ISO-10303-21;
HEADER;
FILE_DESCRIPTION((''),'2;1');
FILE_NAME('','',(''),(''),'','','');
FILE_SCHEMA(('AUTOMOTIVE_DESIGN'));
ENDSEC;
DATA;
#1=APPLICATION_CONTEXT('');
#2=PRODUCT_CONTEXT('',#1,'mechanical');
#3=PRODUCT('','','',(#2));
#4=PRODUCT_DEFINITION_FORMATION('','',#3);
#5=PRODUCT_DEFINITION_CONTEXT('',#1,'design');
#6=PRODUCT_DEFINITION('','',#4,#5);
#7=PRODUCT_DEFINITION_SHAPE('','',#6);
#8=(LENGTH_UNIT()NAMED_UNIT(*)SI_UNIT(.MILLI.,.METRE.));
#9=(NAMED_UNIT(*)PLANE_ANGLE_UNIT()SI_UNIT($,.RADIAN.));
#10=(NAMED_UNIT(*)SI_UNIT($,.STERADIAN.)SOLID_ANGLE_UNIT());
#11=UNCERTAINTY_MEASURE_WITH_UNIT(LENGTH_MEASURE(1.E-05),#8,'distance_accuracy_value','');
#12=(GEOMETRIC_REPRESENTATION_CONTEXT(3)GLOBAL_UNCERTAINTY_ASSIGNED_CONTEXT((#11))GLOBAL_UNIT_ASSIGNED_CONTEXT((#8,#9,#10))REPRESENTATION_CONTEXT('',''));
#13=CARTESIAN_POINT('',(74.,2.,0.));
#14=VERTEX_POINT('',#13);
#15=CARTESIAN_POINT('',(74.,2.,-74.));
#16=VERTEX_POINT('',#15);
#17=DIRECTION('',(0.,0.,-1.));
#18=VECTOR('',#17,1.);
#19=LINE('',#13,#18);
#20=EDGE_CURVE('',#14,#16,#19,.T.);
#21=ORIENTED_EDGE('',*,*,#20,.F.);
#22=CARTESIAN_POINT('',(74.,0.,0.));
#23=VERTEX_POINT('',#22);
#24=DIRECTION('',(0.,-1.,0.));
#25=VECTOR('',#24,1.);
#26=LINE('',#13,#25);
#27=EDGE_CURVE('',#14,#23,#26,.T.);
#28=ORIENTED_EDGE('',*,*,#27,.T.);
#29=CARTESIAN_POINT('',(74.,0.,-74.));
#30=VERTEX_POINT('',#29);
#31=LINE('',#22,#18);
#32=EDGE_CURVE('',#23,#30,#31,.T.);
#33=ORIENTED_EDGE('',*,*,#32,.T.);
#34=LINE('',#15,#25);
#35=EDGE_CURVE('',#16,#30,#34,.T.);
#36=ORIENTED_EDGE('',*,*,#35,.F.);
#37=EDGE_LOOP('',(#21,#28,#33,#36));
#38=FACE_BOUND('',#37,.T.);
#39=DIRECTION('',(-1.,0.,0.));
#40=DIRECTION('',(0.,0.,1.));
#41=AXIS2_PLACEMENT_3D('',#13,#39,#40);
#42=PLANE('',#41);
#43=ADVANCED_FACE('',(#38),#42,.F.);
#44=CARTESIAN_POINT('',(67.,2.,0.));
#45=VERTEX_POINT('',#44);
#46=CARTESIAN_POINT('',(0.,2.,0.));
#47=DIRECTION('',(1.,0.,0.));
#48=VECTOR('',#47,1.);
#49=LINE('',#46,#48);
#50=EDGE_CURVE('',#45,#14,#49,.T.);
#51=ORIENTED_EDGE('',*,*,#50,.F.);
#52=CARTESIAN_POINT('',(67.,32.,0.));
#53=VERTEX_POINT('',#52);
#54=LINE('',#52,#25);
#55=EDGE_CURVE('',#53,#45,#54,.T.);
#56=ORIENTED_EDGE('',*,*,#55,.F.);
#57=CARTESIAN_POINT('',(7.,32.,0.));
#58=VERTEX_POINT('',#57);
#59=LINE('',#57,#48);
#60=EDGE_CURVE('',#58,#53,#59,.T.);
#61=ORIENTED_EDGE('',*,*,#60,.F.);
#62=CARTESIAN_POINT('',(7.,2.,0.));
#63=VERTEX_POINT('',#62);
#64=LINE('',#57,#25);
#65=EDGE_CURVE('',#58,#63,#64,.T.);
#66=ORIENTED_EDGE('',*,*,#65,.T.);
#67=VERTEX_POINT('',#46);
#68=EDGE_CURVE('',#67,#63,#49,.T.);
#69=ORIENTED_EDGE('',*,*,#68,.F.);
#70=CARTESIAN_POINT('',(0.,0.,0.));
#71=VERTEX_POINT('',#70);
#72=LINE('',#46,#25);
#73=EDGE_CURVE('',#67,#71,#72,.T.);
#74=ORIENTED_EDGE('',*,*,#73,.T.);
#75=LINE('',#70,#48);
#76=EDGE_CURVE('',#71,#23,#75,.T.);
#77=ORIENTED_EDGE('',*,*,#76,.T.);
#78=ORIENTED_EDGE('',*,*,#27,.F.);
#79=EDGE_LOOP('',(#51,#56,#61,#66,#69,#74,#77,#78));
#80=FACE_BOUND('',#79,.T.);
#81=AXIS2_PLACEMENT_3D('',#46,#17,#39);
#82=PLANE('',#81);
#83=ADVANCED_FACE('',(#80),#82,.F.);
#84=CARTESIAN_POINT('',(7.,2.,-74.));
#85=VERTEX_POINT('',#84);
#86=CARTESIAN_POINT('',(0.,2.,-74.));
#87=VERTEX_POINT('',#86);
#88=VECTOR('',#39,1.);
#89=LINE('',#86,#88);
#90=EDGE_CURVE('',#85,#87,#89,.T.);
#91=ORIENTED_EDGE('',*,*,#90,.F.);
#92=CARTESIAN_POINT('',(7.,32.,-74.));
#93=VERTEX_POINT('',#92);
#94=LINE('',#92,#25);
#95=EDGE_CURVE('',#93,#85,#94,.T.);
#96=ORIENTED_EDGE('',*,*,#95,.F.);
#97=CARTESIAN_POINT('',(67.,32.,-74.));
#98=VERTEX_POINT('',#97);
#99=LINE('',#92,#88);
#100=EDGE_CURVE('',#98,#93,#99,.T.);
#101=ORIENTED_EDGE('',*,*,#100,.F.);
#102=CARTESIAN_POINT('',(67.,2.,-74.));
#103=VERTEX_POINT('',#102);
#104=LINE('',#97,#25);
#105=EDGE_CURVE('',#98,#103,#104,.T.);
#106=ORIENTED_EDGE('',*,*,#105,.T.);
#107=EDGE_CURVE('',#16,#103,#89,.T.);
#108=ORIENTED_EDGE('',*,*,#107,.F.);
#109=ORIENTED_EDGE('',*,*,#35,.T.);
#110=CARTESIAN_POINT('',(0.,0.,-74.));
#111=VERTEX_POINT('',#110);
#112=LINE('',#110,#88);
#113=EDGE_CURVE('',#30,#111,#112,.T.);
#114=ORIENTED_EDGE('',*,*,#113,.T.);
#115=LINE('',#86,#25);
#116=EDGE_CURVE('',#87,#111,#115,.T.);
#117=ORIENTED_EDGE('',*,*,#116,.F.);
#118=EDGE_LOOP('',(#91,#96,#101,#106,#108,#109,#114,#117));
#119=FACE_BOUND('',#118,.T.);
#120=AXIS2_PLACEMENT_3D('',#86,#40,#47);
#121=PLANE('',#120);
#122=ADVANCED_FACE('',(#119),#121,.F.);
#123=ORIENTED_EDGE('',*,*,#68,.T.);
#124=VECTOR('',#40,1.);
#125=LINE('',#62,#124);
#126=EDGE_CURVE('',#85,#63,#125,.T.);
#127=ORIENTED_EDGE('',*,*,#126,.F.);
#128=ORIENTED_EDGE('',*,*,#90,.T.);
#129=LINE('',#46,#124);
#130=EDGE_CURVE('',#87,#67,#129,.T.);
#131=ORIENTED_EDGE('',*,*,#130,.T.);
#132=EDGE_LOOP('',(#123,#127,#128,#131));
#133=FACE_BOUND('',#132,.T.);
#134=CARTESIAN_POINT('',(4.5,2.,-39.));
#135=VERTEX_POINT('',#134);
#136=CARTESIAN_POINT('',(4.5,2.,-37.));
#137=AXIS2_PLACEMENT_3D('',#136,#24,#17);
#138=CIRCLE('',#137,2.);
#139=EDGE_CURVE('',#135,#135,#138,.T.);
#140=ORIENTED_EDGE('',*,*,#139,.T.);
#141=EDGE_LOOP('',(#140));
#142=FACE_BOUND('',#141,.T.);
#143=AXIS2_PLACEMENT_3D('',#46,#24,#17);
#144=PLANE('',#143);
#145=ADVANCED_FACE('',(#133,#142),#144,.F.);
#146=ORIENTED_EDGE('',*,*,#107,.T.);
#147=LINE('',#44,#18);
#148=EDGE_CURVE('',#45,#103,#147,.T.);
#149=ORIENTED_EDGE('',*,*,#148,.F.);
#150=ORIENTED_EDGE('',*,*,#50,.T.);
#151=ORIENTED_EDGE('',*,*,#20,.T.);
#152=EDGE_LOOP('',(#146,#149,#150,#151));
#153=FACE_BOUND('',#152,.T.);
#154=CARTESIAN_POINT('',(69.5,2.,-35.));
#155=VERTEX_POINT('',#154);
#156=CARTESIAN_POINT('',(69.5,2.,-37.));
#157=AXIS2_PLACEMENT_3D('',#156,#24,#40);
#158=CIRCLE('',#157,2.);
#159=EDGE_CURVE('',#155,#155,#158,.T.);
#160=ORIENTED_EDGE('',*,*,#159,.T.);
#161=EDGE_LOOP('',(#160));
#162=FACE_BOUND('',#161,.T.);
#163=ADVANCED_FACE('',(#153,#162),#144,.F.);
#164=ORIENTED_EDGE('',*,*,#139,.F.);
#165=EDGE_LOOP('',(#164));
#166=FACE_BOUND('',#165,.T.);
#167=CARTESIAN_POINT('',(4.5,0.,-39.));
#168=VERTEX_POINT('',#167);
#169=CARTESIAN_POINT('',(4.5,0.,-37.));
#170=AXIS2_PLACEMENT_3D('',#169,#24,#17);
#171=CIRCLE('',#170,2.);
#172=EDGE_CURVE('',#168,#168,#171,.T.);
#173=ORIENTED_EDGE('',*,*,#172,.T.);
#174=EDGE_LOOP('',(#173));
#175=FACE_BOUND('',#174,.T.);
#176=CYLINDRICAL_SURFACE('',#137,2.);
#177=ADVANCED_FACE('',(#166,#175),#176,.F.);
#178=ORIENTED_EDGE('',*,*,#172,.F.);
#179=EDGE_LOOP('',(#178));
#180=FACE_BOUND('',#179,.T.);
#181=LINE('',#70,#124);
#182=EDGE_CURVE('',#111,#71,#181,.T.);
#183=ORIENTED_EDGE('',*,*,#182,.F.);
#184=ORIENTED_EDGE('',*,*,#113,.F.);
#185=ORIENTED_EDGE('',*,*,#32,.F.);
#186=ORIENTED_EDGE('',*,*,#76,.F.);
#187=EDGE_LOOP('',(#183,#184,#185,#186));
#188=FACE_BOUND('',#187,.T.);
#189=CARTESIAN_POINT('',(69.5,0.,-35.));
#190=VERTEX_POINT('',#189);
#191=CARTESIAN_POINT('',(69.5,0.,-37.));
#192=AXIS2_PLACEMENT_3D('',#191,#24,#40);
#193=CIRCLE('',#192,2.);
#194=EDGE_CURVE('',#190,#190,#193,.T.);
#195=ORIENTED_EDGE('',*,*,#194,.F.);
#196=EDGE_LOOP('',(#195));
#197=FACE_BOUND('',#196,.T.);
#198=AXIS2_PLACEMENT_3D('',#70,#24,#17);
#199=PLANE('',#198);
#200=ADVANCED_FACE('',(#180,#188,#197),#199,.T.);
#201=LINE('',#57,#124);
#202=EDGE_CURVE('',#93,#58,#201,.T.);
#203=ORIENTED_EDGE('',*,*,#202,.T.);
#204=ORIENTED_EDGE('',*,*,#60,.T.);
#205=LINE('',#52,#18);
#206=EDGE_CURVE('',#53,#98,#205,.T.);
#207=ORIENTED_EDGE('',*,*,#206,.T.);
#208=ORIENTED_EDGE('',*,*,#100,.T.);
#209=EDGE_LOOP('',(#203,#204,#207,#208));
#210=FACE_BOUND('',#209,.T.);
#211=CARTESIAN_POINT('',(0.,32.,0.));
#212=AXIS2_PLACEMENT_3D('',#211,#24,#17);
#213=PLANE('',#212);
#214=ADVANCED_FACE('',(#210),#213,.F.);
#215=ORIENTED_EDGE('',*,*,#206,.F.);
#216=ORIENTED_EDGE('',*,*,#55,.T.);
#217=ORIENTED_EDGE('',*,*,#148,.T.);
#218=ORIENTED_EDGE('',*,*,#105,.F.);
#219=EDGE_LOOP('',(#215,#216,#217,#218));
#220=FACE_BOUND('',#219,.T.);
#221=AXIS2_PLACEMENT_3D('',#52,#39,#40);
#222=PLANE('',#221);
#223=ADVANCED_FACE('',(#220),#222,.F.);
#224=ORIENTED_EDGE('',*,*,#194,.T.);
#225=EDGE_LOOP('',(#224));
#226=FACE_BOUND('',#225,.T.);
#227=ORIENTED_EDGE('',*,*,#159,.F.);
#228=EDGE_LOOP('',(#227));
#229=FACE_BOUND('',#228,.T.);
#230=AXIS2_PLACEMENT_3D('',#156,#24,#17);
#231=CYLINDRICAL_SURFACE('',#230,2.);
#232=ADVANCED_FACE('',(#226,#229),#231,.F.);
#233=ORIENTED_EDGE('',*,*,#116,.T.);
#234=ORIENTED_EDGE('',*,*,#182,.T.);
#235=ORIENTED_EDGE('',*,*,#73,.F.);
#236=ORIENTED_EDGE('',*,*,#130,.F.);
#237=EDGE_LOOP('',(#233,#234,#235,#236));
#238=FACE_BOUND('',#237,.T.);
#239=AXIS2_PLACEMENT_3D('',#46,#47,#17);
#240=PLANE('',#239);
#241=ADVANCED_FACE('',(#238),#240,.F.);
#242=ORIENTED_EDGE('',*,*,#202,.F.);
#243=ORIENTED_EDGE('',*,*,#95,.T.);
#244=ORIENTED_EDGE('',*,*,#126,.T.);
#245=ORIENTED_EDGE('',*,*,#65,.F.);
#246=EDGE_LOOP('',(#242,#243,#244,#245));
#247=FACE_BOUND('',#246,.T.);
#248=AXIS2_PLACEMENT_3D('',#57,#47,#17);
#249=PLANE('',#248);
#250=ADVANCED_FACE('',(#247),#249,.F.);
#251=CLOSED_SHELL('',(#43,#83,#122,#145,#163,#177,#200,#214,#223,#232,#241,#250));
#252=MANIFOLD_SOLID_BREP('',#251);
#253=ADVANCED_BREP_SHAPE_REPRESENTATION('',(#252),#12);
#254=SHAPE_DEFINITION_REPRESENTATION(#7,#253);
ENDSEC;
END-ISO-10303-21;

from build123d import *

# Parameters (mm, degrees)
SKETCH1_W           = 74
SKETCH1_H           = 74
BOSS_EXTRUDE1_DEPTH = 2
SKETCH2_W           = 60
SKETCH2_H           = 74
BOSS_EXTRUDE2_DEPTH = 30
SKETCH3_R           = 2
CUT_EXTRUDE1_DEPTH  = 2


with BuildPart() as part:
    # Sketch1 → Boss-Extrude1 (new body)
    with BuildSketch(Plane(origin=(0, 0, 0), x_dir=(1, 0, 0), z_dir=(0, 1, 0))):
        with Locations((37, 37)):
            Rectangle(SKETCH1_W, SKETCH1_H)
    extrude(amount=BOSS_EXTRUDE1_DEPTH)

    # Sketch2 → Boss-Extrude2 (add)
    with BuildSketch(Plane(origin=(0, 2, 0), x_dir=(1, 0, 0), z_dir=(0, 1, 0))):
        with Locations((37, 37)):
            Rectangle(SKETCH2_W, SKETCH2_H)
    extrude(amount=BOSS_EXTRUDE2_DEPTH)

    # Sketch3 → Cut-Extrude1 (cut)
    with BuildSketch(Plane.XZ):
        with Locations(Location((4.5, -37, 0), (0, 0, 270))):
            Circle(SKETCH3_R)
        with Locations(Location((69.5, -37, 0), (0, 0, 90))):
            Circle(SKETCH3_R)
    extrude(amount=-CUT_EXTRUDE1_DEPTH, mode=Mode.SUBTRACT)


solid = part.part
